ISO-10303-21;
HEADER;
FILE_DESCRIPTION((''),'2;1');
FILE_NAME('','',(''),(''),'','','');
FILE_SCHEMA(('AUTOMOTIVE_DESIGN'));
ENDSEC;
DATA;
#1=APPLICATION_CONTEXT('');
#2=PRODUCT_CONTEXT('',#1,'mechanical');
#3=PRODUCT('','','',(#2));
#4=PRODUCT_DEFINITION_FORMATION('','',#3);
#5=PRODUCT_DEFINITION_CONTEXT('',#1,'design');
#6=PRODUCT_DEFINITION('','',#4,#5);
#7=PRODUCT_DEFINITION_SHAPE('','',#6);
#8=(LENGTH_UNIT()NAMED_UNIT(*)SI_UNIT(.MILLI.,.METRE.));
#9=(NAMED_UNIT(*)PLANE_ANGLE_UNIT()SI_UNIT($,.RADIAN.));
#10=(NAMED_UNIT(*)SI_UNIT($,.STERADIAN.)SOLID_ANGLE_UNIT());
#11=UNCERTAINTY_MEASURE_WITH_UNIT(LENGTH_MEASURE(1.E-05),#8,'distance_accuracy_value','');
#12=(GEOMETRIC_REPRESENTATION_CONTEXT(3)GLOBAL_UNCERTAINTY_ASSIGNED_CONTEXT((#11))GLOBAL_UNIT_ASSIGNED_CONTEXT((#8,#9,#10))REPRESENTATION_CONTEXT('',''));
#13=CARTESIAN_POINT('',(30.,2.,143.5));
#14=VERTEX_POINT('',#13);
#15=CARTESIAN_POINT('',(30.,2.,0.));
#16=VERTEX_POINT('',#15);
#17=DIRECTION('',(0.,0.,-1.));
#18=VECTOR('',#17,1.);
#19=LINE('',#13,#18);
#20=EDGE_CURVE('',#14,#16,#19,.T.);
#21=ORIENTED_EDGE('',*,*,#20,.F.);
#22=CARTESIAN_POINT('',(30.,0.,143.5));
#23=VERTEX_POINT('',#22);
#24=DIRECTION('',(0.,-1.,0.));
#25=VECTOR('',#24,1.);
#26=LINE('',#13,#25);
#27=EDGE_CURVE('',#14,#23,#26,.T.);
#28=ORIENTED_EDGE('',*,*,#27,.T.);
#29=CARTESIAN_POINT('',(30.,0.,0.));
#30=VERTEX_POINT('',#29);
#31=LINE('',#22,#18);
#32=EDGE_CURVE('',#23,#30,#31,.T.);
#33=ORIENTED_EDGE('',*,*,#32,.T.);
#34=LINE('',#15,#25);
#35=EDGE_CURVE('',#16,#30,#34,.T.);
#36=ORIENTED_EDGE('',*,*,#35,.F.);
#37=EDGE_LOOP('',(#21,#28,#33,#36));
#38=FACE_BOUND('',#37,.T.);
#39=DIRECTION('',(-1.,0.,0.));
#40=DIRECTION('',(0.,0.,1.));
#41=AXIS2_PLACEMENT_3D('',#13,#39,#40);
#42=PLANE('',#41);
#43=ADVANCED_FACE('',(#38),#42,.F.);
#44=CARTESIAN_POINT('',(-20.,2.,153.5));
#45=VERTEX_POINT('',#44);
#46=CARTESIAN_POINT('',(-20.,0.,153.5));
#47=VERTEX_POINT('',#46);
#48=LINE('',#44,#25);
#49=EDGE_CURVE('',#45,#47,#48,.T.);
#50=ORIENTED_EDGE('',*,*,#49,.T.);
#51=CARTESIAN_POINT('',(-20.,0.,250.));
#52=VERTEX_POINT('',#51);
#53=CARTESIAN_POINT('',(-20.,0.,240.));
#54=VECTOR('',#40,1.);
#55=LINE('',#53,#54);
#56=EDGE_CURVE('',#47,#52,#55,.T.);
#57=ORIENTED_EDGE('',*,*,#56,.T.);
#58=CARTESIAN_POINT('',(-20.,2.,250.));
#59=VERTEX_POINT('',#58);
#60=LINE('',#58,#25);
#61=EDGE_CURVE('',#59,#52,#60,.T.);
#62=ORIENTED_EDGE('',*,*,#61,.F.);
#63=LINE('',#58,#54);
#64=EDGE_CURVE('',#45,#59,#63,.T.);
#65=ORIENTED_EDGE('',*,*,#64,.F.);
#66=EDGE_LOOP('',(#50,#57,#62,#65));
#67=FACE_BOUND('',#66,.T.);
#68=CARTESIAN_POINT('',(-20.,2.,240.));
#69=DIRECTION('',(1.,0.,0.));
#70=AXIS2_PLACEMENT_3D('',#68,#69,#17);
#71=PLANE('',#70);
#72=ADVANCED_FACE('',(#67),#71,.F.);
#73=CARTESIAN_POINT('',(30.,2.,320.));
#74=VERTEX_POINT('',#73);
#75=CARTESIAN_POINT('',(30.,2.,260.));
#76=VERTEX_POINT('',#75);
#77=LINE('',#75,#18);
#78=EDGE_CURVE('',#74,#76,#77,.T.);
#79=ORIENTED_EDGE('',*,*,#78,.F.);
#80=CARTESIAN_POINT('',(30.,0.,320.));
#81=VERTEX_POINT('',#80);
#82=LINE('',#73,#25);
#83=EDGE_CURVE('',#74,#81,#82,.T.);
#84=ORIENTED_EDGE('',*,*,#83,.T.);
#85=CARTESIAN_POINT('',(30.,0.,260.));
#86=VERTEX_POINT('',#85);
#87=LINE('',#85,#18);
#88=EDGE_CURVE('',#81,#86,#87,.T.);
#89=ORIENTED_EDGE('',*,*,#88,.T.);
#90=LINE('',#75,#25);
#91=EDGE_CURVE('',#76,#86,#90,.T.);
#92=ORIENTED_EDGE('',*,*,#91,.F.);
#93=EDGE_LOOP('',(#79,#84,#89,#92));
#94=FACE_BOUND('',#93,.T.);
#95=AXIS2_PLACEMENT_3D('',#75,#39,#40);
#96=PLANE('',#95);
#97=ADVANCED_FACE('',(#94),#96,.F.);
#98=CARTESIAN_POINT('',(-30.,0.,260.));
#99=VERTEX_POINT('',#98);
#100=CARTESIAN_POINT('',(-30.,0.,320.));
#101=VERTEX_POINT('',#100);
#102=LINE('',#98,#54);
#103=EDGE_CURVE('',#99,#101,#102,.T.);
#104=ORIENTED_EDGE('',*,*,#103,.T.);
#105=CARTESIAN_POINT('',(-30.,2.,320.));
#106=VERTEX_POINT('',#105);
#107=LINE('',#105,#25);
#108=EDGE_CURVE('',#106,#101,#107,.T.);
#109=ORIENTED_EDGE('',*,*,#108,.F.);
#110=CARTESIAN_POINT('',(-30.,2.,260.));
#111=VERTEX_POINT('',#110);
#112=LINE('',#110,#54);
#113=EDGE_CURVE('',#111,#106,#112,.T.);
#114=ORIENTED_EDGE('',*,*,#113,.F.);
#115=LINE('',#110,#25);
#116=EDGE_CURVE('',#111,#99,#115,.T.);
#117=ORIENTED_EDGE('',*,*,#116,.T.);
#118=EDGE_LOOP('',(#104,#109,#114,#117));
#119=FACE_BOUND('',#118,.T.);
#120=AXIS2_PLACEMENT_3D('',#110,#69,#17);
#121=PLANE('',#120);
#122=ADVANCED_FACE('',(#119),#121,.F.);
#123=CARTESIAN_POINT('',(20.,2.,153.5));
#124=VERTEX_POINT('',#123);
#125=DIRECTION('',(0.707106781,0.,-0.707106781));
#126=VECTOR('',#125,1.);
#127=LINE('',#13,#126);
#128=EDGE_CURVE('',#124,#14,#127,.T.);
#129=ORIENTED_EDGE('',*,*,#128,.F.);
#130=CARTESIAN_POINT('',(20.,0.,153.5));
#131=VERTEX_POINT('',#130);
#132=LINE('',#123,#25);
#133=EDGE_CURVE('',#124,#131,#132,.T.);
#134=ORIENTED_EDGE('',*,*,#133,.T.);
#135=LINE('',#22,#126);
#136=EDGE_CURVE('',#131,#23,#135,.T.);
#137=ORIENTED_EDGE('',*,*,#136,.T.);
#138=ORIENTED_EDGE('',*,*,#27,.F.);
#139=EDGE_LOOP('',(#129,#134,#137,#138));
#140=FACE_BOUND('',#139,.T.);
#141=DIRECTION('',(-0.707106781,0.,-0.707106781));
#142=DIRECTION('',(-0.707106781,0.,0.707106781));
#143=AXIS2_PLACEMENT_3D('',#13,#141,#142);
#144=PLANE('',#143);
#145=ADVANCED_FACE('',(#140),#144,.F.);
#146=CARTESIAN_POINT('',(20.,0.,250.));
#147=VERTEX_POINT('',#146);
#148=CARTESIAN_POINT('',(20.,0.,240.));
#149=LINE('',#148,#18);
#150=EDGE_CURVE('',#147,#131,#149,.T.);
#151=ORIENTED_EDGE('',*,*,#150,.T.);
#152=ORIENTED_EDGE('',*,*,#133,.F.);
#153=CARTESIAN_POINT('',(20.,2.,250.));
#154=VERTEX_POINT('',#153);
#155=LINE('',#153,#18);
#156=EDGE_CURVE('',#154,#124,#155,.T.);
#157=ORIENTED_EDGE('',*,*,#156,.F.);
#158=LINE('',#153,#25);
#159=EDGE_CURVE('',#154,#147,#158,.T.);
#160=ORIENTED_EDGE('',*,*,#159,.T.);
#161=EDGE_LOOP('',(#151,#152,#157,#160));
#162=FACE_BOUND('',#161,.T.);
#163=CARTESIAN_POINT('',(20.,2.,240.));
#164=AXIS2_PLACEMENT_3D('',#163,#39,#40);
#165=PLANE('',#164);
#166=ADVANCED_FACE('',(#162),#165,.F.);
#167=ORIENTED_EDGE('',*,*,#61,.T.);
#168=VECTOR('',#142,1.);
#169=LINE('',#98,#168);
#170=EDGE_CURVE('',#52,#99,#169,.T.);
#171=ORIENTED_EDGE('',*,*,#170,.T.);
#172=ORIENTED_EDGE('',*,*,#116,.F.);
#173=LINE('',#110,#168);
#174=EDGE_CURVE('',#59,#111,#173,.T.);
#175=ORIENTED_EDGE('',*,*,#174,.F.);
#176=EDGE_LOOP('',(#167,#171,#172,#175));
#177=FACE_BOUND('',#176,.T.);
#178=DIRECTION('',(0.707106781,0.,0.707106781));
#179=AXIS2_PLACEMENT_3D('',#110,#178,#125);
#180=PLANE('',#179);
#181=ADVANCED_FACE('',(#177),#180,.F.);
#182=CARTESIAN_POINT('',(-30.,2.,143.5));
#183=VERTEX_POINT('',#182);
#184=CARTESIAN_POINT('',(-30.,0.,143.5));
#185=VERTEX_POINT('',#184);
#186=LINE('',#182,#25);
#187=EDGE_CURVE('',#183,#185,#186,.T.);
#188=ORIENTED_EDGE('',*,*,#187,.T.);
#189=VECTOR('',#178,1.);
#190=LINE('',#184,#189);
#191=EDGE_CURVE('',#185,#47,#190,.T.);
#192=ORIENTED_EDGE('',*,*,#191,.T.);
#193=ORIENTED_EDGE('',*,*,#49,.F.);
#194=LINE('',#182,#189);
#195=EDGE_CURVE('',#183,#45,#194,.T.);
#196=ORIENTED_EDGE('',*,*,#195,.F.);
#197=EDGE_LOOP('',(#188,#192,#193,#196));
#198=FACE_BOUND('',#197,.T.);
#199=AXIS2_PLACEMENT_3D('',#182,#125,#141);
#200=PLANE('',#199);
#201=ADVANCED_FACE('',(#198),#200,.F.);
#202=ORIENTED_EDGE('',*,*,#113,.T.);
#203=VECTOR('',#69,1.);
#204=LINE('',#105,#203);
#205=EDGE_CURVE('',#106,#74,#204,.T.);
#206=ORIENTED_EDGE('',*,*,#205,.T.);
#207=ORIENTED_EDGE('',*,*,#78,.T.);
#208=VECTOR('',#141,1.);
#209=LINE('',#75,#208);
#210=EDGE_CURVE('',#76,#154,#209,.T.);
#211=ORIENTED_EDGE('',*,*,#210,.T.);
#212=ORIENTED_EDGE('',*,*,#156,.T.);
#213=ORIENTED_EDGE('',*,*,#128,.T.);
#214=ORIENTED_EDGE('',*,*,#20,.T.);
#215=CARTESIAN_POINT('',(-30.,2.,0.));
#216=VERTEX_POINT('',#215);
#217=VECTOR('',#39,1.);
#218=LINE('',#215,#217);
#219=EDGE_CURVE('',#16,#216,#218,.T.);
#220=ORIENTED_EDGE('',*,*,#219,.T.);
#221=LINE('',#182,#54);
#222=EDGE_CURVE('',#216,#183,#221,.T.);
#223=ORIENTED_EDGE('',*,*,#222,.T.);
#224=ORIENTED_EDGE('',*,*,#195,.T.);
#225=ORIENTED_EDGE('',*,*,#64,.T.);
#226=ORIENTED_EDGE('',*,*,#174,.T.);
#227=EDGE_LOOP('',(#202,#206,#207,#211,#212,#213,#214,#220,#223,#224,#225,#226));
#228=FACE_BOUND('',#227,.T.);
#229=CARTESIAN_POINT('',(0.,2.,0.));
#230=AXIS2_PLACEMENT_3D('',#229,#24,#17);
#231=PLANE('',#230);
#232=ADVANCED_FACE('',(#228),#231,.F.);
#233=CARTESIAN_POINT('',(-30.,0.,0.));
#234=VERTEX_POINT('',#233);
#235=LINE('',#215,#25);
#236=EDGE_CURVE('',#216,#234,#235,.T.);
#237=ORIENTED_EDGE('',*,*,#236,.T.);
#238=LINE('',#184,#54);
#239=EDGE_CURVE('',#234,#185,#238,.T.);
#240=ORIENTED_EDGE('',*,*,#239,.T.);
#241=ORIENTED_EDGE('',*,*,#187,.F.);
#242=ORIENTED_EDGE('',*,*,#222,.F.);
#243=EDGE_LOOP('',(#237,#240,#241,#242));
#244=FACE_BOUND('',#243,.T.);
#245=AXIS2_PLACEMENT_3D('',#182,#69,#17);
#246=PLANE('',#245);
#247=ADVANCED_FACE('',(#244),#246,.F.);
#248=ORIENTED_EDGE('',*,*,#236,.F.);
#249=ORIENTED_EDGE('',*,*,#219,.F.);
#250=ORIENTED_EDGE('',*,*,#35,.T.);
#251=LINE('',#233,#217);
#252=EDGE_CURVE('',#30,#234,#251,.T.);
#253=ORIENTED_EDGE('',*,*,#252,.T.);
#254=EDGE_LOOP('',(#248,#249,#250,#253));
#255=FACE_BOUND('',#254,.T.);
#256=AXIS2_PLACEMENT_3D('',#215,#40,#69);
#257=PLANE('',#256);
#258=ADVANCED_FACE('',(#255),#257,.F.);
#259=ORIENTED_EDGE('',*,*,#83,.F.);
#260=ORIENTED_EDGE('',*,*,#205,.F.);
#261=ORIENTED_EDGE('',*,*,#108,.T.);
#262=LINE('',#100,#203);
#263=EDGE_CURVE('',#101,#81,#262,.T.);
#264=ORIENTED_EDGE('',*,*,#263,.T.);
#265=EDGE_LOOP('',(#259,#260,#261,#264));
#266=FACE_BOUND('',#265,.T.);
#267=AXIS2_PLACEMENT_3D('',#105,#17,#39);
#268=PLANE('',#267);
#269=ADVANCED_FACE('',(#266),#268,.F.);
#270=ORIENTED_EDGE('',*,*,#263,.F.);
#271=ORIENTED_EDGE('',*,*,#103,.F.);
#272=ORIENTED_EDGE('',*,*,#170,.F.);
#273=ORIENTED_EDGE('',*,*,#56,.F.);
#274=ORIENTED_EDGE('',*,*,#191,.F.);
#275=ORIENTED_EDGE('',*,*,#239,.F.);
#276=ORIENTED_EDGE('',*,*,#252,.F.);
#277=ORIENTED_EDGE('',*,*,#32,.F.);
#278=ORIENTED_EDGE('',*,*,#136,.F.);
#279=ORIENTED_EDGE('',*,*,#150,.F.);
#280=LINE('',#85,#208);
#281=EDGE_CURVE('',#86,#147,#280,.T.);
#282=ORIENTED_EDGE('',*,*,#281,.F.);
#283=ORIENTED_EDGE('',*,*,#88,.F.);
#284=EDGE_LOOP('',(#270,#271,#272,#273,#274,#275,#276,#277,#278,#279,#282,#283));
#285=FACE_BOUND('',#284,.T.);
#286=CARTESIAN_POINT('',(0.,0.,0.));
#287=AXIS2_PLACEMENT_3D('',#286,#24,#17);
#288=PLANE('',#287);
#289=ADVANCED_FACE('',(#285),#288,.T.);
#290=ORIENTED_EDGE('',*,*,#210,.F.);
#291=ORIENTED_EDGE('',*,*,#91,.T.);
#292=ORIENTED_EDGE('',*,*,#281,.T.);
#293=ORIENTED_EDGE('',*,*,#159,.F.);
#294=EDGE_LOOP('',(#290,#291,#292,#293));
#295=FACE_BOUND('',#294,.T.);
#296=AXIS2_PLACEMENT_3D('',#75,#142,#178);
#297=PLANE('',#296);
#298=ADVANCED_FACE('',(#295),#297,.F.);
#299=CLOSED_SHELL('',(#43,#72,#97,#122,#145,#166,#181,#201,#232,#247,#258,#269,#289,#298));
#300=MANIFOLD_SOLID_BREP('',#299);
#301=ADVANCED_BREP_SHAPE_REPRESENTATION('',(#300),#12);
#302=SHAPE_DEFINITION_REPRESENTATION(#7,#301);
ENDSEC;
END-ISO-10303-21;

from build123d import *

# Parameters (mm, degrees)
EXTRUDE_1_DEPTH = 2


with BuildPart() as part:
    # 草图1 → 凸台-拉伸1 (new body)
    with BuildSketch(Plane(origin=(0, 0, 0), x_dir=(1, 0, 0), z_dir=(0, 1, 0))):
        Polygon((-30, -260), (-30, -320), (30, -320), (30, -260), (20, -250), (20, -240), (20, -153.5), (30, -143.5), (30, 0), (-30, 0), (-30, -143.5), (-20, -153.5), (-20, -240), (-20, -250), align=None)
    extrude(amount=EXTRUDE_1_DEPTH)


solid = part.part
